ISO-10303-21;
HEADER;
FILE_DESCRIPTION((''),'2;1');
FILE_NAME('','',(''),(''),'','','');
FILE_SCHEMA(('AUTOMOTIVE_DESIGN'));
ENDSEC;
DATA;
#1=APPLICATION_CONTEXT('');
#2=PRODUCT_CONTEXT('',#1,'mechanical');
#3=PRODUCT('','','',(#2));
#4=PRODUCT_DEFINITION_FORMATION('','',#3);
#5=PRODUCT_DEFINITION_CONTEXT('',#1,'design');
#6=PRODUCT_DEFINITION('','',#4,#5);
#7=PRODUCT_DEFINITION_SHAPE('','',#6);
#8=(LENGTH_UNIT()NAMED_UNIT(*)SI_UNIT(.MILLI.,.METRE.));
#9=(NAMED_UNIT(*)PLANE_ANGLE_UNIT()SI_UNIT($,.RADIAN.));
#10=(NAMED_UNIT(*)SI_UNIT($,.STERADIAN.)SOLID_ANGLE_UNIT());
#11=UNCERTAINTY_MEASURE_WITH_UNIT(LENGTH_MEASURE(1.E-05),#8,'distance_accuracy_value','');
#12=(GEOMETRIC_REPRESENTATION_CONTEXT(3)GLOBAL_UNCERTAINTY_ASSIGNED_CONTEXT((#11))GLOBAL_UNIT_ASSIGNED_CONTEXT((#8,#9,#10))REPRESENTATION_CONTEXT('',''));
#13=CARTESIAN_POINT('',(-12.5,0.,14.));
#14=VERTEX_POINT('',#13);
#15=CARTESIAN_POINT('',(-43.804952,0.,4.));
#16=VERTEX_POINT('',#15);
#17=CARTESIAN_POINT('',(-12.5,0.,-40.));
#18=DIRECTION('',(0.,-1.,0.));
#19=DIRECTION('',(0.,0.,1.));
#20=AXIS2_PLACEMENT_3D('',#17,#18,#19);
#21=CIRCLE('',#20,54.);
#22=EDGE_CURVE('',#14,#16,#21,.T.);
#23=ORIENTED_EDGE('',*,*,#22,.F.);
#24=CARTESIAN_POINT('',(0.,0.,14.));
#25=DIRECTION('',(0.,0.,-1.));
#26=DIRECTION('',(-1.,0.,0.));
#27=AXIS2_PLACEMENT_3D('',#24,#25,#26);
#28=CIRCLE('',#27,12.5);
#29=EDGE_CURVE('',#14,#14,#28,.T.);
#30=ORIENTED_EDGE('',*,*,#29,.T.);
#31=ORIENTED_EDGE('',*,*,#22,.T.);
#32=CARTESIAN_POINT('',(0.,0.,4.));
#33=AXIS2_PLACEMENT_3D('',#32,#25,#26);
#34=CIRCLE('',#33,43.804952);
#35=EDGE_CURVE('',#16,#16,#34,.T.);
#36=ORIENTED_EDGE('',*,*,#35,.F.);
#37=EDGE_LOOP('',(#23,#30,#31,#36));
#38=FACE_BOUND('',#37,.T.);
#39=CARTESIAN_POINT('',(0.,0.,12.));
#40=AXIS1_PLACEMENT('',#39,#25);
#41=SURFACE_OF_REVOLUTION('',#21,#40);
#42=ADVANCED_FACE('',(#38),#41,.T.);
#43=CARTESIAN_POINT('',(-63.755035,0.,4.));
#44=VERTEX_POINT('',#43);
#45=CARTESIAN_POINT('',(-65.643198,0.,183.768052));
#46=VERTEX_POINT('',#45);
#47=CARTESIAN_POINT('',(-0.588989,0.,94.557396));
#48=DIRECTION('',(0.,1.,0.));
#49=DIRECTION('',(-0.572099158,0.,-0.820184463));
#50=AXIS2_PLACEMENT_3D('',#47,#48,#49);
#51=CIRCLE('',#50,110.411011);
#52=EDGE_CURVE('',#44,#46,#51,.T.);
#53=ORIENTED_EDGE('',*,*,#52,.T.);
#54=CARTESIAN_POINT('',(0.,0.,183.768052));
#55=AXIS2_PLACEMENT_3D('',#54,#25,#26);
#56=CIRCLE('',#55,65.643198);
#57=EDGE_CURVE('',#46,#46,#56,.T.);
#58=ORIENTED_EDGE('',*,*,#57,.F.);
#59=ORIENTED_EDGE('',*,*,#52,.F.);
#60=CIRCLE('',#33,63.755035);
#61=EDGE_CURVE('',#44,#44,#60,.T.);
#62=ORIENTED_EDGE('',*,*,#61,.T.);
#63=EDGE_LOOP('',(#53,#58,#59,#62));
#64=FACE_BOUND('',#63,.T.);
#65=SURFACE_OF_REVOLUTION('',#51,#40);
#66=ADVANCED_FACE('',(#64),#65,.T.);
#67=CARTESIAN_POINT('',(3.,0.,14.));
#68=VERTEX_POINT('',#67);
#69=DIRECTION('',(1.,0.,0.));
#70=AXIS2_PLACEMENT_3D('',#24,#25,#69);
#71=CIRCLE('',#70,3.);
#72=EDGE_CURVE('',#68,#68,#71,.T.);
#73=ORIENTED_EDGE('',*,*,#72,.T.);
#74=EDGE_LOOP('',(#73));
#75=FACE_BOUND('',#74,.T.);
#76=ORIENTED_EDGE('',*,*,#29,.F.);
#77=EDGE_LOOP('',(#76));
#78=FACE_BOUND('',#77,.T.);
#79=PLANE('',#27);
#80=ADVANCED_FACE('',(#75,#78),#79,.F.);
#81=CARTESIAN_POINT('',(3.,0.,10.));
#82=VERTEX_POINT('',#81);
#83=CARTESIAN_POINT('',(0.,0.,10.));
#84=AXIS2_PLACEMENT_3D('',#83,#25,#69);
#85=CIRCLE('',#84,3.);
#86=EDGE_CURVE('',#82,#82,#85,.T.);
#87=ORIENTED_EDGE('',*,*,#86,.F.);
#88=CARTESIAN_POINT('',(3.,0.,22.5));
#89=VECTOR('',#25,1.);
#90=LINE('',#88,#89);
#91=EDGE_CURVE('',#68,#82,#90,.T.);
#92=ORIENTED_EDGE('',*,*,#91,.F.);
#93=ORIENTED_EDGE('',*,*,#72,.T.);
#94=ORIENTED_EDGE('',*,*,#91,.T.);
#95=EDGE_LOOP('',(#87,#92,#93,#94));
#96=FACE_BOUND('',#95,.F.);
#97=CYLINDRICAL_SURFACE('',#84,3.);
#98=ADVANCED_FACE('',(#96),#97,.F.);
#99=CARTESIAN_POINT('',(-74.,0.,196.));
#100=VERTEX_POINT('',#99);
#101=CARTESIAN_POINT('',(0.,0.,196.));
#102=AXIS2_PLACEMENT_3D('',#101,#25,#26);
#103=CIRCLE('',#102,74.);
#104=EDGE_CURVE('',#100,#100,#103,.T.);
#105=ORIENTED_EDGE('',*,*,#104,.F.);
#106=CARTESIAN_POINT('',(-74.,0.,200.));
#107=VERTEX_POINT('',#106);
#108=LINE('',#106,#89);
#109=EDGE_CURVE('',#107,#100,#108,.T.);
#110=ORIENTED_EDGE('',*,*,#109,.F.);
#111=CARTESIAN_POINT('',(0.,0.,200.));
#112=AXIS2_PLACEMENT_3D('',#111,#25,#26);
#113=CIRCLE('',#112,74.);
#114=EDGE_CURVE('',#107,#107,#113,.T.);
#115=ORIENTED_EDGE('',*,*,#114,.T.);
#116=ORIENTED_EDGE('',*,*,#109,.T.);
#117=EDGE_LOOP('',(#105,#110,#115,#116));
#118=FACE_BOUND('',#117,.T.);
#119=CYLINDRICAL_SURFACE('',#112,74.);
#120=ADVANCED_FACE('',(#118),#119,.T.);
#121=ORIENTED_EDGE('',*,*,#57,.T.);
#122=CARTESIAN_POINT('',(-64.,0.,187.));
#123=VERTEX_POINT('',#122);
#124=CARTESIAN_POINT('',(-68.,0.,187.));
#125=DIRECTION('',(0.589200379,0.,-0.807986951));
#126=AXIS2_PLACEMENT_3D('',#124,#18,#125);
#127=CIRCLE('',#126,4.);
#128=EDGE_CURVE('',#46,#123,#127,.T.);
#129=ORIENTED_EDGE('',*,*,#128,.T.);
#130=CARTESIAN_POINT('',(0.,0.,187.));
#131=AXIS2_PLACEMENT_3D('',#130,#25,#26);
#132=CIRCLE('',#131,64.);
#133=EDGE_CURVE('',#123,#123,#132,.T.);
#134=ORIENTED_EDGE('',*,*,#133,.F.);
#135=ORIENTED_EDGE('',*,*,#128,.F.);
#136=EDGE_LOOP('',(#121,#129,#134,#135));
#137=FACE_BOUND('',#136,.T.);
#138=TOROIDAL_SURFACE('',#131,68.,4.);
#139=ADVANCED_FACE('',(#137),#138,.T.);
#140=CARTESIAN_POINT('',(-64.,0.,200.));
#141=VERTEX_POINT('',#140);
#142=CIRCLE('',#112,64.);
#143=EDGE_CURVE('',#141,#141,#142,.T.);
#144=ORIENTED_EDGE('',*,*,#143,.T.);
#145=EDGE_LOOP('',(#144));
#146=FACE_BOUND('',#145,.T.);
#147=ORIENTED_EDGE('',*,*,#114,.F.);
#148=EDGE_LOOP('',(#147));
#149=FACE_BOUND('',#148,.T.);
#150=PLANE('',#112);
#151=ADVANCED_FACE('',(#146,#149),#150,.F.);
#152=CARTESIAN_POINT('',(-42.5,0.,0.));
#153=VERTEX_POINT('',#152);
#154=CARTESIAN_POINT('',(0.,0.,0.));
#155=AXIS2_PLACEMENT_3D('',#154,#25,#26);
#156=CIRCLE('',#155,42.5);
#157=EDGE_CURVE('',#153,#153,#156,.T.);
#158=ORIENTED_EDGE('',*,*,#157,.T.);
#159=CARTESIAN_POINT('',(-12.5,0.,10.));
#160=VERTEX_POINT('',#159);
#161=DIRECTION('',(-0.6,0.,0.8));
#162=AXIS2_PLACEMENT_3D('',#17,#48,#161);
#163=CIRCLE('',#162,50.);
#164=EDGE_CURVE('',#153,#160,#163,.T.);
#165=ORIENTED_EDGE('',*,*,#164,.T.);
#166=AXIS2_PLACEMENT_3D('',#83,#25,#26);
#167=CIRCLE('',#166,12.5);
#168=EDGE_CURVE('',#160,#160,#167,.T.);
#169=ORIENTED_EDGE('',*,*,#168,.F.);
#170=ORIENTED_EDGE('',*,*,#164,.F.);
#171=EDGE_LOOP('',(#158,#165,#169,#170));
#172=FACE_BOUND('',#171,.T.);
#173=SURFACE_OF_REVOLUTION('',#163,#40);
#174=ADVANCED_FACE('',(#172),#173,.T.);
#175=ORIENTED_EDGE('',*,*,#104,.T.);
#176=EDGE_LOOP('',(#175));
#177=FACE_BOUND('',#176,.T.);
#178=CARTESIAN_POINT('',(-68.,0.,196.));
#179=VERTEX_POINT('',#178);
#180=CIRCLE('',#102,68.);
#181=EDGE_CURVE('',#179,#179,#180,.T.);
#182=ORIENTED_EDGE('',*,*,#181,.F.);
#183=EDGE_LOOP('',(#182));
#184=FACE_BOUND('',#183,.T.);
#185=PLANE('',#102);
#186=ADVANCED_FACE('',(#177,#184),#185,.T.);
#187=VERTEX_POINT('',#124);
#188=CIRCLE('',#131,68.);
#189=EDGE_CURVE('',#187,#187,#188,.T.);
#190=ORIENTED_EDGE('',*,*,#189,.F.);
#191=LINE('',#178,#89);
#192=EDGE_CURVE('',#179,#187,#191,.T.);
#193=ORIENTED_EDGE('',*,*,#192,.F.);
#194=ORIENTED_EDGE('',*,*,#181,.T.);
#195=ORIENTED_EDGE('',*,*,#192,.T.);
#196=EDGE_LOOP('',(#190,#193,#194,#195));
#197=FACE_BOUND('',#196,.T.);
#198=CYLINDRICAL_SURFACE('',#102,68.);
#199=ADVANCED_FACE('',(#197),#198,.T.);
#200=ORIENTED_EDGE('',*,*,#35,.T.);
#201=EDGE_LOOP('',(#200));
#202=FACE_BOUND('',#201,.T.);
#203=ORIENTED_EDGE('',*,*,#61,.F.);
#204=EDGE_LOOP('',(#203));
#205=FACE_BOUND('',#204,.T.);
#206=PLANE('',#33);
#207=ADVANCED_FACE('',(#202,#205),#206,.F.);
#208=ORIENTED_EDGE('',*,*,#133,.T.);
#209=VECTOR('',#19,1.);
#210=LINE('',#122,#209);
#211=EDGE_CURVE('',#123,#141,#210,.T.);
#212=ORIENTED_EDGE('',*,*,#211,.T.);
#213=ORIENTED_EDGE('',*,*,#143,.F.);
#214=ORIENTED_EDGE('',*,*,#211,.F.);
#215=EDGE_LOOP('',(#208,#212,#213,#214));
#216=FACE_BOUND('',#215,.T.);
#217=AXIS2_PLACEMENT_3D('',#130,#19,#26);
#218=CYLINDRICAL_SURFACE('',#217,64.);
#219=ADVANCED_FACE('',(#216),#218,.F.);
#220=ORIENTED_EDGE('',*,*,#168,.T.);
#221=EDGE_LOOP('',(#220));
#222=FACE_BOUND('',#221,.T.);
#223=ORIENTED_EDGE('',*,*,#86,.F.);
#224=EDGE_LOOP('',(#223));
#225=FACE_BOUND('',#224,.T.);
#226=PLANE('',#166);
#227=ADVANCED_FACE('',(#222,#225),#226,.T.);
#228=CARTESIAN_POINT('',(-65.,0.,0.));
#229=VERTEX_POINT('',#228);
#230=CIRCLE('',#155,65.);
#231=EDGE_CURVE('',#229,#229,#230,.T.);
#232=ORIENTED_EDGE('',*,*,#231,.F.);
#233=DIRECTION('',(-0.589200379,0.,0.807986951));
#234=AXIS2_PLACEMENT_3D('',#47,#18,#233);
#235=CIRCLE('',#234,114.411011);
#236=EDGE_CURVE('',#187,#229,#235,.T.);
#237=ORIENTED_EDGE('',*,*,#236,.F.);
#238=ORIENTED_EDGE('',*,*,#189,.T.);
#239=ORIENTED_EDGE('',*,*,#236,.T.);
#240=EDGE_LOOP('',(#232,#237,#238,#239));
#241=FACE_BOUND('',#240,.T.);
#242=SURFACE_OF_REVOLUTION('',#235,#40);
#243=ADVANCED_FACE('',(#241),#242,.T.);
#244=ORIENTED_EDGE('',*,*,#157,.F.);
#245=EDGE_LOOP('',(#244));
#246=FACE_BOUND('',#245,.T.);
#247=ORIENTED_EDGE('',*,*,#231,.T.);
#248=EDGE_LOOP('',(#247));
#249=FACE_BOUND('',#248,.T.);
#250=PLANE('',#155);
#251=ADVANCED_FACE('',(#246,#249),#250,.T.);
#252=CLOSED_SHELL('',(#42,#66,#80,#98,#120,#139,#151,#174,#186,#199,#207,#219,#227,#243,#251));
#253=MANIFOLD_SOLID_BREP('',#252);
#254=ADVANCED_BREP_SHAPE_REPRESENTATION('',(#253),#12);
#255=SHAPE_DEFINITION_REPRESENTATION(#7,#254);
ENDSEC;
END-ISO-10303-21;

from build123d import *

# Parameters (mm, degrees)
F2_R     = 3
F3_DEPTH = 12.5


with BuildPart() as f1:
    # F0 (on Front) → F1 (revolve)
    with BuildSketch(Plane.XZ):
        with BuildLine():
            Line((-12.5, 10), (0, 10))
            Line((0, 10), (0, 14))
            Line((0, 14), (-12.5, 14))
            ThreePointArc((-12.5, 14), (-28.9316767252, 11.4392845984), (-43.804951685, 4))
            Line((-43.804951685, 4), (-63.755035387, 4))
            ThreePointArc((-63.755035387, 4), (-110.9939102363, 93.3977766273), (-65.6431984827, 183.768052196))
            ThreePointArc((-65.6431984827, 183.768052196), (-64.4343860228, 185.187157766), (-64, 187))
            Line((-64, 187), (-64, 200))
            Line((-64, 200), (-74, 200))
            Line((-74, 200), (-74, 196))
            Line((-74, 196), (-68, 196))
            Line((-68, 196), (-68, 187))
            ThreePointArc((-68, 187), (-114.9852798138, 92.7221612864), (-65, 0))
            Line((-65, 0), (-42.5, 0))
            ThreePointArc((-42.5, 0), (-28.3113883008, 7.4341649025), (-12.5, 10))
        make_face()
    revolve(axis=Axis((0, 0, 12), (0, 0, -1)))

    # F2 (on face) → F3 (cut, symmetric)
    with BuildSketch(Plane(origin=(0, 0, 10), x_dir=(1, 0, 0), z_dir=(0, 0, -1))):
        Circle(F2_R)
    extrude(amount=F3_DEPTH, both=True, mode=Mode.SUBTRACT)


solid = f1.part
